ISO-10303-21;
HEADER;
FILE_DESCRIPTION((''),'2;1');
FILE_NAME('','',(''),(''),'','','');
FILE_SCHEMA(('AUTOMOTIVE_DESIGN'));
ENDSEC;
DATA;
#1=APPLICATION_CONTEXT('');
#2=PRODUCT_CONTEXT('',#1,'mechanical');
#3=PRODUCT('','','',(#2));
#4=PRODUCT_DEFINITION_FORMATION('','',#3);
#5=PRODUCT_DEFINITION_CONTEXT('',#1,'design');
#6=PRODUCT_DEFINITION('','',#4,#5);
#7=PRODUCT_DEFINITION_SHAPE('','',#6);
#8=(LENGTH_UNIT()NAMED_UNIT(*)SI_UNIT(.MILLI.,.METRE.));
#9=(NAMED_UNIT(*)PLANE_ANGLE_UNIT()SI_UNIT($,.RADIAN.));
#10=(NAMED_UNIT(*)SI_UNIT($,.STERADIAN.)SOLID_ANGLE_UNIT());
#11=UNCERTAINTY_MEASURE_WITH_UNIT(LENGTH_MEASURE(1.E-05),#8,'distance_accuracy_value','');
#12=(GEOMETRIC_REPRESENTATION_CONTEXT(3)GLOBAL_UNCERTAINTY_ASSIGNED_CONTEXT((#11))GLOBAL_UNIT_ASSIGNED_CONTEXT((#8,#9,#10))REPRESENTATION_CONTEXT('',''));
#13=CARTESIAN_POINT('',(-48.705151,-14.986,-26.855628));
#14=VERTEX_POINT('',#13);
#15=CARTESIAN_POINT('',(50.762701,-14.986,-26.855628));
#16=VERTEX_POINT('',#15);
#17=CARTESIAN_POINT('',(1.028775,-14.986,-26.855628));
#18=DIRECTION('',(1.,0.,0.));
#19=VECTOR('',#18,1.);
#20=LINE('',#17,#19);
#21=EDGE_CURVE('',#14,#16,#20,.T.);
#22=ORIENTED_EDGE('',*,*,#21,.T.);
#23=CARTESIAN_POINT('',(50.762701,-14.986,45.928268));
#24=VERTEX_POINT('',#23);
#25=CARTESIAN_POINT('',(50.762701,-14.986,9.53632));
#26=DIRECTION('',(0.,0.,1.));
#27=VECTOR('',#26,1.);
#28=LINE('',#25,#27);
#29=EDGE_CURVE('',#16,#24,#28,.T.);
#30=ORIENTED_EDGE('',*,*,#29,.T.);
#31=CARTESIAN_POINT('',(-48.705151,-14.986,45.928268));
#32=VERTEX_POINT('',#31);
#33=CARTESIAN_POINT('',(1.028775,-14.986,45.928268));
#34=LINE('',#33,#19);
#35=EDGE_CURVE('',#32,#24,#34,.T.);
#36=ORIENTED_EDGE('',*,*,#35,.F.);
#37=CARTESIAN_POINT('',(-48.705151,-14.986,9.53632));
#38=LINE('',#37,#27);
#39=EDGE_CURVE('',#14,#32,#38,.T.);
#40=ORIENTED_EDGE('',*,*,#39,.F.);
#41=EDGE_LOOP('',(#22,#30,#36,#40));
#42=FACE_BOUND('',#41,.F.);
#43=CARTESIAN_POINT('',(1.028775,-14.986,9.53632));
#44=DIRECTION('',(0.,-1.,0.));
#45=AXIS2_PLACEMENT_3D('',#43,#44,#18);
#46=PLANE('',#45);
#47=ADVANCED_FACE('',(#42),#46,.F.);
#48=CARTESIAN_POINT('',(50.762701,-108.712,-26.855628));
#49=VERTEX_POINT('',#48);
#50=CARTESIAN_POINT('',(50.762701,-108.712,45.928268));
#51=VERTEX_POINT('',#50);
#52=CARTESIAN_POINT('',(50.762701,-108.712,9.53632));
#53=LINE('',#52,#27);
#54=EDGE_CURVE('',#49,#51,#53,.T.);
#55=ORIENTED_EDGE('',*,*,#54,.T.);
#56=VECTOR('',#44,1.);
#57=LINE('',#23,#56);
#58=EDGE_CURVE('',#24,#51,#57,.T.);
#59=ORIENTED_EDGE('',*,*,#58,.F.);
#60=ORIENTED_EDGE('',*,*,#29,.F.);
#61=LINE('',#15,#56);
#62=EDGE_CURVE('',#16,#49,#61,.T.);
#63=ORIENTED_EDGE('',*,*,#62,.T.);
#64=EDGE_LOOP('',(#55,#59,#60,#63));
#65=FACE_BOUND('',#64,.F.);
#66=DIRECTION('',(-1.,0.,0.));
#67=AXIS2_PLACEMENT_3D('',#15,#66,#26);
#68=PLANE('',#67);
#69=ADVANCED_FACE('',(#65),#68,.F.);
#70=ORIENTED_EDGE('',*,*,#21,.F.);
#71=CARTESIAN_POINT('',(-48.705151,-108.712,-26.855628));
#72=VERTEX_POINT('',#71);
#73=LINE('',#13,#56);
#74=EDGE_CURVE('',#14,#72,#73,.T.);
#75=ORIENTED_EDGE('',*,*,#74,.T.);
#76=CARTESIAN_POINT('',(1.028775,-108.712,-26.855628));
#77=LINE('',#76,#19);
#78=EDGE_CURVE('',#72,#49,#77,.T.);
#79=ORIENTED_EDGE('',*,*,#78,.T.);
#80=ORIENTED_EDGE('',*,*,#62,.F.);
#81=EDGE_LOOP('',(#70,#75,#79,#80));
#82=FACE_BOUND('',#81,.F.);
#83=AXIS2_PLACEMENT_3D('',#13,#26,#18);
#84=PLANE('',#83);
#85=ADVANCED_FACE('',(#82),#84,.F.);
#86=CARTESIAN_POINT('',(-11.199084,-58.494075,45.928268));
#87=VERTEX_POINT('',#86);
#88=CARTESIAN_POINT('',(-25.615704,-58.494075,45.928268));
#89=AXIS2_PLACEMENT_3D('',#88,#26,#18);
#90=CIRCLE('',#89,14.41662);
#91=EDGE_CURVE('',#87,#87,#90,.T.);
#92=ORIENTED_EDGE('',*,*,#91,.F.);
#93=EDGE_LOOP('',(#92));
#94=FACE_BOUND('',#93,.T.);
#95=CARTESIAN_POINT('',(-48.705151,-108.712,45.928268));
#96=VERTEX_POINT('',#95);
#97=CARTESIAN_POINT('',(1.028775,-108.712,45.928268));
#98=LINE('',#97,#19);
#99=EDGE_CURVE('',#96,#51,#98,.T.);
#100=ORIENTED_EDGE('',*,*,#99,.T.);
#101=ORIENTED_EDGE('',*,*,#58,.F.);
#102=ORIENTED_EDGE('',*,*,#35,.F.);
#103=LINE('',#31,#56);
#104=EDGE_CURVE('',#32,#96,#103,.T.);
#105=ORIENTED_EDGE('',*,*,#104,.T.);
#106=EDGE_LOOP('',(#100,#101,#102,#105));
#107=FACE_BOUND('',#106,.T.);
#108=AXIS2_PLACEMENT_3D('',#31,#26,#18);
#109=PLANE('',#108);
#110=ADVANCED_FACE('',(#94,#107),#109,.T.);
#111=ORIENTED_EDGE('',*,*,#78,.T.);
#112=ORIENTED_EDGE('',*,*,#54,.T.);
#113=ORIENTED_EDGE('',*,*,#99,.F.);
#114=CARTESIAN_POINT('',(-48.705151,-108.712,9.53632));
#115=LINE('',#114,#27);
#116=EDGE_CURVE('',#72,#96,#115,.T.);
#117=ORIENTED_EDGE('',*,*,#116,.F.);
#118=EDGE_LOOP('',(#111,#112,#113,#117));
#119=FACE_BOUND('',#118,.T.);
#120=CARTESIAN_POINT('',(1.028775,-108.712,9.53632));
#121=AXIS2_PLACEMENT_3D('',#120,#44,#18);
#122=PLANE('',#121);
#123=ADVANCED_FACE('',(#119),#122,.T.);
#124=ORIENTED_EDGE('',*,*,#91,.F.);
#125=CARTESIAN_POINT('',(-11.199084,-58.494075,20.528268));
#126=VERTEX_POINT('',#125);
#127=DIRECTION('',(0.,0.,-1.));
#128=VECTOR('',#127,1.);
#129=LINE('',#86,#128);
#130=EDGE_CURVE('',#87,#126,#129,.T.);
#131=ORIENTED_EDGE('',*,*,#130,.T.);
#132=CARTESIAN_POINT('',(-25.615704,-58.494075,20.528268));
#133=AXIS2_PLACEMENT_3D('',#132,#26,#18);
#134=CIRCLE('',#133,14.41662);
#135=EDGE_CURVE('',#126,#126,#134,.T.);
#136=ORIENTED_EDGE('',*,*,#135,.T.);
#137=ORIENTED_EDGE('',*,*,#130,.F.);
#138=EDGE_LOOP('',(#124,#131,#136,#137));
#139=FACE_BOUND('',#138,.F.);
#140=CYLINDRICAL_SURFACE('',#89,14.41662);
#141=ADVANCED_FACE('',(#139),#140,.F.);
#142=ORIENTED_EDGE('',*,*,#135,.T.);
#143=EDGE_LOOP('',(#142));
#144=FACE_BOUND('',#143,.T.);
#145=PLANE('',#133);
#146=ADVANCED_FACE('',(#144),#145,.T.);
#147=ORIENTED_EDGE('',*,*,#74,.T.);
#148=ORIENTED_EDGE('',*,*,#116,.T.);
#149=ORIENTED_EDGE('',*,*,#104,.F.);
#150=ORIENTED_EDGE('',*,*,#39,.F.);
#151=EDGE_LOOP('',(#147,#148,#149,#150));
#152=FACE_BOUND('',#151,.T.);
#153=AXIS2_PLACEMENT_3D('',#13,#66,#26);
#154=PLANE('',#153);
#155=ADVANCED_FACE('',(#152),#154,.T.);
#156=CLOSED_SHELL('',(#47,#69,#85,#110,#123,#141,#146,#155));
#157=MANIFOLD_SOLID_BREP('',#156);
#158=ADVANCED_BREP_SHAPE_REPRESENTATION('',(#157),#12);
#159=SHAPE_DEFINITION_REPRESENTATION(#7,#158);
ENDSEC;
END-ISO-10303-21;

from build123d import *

# Parameters (mm, degrees)
F0_W     = 99.467852
F0_H     = 72.783896
F1_DEPTH = 93.726
F2_R     = 14.41662
F3_DEPTH = 25.4


with BuildPart() as f1:
    # F0 (on Front) → F1 (new body)
    with BuildSketch(Plane.XZ):
        with Locations((-12.687225, 5.47232)):
            Rectangle(F0_W, F0_H)
    extrude(amount=F1_DEPTH)

    # F2 (on face) → F3 (cut)
    with BuildSketch(Plane.XY.offset(41.864268)):
        with Locations((-39.331704, -43.508075)):
            Circle(F2_R)
    extrude(amount=-F3_DEPTH, mode=Mode.SUBTRACT)


with BuildPart() as f1_1:
    # F4: moved
    add(f1.part.moved(Location((13.716, -14.986, 4.064))))


solid = f1_1.part
